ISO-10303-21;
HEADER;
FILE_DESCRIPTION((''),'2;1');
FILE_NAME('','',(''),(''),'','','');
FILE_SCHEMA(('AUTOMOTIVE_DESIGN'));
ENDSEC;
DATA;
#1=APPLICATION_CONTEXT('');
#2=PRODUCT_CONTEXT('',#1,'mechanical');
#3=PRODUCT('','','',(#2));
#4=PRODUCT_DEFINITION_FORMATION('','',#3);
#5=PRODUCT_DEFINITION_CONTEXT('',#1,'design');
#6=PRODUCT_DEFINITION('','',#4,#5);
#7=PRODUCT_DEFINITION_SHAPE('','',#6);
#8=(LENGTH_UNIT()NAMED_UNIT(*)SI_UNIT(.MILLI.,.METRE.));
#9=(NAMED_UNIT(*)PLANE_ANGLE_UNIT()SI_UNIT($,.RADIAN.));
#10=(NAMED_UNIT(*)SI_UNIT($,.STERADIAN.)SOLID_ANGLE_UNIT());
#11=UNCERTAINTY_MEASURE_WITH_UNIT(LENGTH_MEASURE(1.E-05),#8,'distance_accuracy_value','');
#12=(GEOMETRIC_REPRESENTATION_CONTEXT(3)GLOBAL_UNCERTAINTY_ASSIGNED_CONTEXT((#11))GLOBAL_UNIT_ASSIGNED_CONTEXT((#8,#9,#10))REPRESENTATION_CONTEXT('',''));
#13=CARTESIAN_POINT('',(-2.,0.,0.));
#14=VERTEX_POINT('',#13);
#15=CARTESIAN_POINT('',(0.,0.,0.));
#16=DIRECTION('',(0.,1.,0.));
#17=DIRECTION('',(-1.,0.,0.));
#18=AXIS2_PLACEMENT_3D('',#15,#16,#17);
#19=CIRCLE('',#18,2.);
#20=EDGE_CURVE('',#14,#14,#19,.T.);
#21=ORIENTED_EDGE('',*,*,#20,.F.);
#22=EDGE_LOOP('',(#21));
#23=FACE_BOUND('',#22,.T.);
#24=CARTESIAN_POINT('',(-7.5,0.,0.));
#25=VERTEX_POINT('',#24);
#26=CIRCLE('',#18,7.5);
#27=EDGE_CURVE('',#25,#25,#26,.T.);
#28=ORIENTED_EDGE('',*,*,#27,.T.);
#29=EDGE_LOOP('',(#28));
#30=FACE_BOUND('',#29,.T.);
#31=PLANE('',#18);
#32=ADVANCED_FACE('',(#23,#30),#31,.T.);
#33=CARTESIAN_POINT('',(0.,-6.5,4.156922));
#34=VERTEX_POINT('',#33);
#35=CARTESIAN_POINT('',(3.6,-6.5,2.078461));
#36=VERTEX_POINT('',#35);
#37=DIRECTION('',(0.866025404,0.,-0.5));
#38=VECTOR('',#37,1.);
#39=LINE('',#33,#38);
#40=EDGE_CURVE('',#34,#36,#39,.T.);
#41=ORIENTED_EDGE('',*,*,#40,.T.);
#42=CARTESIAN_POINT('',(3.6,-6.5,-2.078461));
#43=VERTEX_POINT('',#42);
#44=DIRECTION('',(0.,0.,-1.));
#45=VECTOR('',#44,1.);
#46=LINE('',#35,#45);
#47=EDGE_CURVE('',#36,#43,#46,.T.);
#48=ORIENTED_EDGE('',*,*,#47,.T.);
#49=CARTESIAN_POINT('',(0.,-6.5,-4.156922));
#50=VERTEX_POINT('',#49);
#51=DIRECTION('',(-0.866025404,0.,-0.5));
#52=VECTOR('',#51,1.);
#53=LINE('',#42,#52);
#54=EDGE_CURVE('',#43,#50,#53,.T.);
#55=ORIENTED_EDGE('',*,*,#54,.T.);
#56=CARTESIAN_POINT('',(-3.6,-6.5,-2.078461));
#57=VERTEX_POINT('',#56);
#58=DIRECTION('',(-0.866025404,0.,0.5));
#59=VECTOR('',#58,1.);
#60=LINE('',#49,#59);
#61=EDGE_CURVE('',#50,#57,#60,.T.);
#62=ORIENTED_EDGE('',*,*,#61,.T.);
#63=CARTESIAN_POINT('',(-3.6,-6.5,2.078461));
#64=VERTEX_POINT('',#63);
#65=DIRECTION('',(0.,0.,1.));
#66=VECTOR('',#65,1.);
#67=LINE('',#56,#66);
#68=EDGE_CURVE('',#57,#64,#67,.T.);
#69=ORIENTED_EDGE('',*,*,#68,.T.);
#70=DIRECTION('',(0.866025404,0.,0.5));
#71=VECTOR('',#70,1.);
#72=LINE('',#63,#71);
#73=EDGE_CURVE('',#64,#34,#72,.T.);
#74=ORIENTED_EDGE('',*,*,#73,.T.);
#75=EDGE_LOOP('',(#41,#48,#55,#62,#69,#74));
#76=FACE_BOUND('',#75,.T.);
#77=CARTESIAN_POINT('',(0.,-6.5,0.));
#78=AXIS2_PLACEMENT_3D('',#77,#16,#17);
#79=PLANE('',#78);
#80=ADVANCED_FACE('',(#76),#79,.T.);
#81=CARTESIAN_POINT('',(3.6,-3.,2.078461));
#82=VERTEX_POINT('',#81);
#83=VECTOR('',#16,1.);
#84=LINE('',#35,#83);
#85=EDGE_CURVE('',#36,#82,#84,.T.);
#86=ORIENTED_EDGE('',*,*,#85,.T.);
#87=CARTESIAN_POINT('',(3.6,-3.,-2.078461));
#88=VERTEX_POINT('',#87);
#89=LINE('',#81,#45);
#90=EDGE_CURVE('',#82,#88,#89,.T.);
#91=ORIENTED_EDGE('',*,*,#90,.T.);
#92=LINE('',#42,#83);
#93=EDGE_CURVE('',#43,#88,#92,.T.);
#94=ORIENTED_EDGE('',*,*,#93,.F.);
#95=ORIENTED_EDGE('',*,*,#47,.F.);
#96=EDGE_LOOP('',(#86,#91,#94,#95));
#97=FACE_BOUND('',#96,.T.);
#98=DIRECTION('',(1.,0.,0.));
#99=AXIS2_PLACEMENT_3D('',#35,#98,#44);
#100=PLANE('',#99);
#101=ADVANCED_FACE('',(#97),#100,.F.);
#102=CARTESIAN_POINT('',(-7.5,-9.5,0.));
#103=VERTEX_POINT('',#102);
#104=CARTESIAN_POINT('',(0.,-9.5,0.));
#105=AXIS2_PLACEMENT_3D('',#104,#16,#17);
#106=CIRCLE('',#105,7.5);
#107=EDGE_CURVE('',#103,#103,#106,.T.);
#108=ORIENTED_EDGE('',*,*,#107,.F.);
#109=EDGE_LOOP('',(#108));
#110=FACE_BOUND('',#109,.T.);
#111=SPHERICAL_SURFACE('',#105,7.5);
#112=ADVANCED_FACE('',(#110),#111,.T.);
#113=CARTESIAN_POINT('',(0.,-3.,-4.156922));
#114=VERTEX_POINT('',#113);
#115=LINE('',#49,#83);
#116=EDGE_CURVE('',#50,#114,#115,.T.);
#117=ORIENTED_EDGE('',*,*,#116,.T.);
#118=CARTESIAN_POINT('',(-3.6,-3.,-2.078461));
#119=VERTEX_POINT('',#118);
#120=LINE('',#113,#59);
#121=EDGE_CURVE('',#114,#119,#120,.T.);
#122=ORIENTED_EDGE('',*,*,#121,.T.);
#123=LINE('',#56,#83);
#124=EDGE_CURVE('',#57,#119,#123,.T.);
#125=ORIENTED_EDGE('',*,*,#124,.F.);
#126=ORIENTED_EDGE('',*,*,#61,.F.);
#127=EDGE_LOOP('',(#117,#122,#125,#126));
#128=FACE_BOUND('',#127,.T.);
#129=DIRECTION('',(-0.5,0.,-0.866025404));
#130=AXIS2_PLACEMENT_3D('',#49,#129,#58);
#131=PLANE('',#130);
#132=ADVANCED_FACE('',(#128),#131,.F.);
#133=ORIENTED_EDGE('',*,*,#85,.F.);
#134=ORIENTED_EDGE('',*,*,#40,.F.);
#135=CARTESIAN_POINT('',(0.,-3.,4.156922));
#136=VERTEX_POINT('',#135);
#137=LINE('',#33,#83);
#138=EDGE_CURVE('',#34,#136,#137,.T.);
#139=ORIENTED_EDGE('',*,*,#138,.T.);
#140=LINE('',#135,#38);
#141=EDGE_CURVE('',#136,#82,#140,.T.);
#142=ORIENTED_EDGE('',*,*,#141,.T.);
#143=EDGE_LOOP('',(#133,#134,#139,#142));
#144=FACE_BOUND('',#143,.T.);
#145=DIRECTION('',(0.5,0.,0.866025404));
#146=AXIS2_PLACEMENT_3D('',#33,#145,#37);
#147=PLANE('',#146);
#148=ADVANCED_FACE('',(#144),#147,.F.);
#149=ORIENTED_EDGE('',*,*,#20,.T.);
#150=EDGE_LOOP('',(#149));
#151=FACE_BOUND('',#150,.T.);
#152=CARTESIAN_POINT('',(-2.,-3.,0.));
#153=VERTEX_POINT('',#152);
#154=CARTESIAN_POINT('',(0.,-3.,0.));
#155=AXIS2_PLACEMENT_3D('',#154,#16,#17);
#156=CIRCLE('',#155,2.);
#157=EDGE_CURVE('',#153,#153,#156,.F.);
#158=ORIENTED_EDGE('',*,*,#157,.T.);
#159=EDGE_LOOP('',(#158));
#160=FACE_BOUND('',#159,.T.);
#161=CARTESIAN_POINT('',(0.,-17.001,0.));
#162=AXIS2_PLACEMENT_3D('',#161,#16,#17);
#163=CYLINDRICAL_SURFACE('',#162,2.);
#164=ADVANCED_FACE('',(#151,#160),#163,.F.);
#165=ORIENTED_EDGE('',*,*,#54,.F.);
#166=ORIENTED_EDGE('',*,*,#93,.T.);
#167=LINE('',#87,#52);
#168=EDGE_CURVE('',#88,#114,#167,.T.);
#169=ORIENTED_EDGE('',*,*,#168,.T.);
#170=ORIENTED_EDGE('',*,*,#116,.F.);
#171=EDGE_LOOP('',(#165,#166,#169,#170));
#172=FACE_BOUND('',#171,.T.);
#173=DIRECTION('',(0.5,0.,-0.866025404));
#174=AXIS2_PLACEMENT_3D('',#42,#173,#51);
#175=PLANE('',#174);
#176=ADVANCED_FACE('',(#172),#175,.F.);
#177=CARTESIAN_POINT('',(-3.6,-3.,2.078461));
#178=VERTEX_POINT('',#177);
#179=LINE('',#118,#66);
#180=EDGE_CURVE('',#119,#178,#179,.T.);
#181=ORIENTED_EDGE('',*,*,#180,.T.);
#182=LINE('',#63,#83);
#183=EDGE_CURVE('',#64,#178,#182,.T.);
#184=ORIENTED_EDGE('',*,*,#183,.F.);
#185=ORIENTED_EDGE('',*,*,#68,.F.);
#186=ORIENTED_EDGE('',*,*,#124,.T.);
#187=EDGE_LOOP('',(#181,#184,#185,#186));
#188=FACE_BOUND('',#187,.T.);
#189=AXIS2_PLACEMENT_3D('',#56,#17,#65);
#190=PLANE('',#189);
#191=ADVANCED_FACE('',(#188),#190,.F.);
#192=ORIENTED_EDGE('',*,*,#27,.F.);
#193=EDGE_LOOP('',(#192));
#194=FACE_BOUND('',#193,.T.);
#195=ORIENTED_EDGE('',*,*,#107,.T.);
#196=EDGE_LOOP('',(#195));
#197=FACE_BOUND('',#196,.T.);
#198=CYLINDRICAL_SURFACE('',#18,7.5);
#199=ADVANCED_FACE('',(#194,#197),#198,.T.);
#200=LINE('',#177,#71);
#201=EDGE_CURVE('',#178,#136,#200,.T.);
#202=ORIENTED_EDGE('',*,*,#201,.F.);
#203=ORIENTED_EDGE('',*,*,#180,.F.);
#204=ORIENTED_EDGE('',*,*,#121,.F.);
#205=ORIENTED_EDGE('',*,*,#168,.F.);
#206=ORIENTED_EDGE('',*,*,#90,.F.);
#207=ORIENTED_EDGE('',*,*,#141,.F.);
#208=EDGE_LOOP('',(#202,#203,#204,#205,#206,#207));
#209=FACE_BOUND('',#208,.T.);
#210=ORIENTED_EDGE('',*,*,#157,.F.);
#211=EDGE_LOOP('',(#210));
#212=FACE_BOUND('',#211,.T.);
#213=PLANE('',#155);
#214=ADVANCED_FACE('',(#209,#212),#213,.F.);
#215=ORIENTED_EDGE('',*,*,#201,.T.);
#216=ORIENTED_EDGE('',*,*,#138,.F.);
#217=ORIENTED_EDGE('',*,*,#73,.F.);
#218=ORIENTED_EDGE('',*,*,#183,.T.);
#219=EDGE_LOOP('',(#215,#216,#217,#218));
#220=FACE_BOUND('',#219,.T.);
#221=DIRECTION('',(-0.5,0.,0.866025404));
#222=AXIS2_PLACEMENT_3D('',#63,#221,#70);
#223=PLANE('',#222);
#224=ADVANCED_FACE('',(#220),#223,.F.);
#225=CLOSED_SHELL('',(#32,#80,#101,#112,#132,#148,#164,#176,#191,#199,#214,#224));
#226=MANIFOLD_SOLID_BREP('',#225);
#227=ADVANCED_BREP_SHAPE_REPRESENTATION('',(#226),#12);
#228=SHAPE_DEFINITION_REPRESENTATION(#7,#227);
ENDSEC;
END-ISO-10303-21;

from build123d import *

# Parameters (mm, degrees)
CUT_EXTRUDE1_START = -3
CUT_EXTRUDE1_DEPTH = 3.5
CUT_EXTRUDE2_REACH = 22.037
SKETCH3_R          = 2


with BuildPart() as part:
    # Sketch1 → Revolve1 (revolve)
    with BuildSketch(Plane.XY):
        with BuildLine():
            Line((0, 0), (-7.5, 0))
            Line((-7.5, 0), (-7.5, -9.5))
            ThreePointArc((-7.5, -9.5), (-5.303300859, -14.803300859), (0, -17))
            Line((0, -17), (0, 0))
        make_face()
    revolve(axis=Axis((0, 0, 0), (0, -1, 0)))

    # Sketch2 → Cut-Extrude1 (cut)
    with BuildSketch(Plane(origin=(0, 0, 0), x_dir=(1, 0, 0), z_dir=(0, 1, 0)).offset(CUT_EXTRUDE1_START)):
        Polygon((3.6, -2.078460969), (3.6, 2.078460969), (0, 4.156921938), (-3.6, 2.078460969), (-3.6, -2.078460969), (0, -4.156921938), align=None)
    extrude(amount=-CUT_EXTRUDE1_DEPTH, mode=Mode.SUBTRACT)

    # Sketch3 → Cut-Extrude2 (cut, up to next)
    with BuildSketch(Plane(origin=(0, 0, 0), x_dir=(1, 0, 0), z_dir=(0, 1, 0)), mode=Mode.PRIVATE) as cut_extrude2_sk1:
        with Locations(Location((0, 0, 0), (0, 0, 180))):
            Circle(SKETCH3_R)
    cut_extrude2_tool1 = extrude(cut_extrude2_sk1.sketch, amount=-CUT_EXTRUDE2_REACH, mode=Mode.PRIVATE) & part.part
    add(cut_extrude2_tool1.solids().sort_by_distance((0, 0, 0))[0], mode=Mode.SUBTRACT)


solid = part.part
